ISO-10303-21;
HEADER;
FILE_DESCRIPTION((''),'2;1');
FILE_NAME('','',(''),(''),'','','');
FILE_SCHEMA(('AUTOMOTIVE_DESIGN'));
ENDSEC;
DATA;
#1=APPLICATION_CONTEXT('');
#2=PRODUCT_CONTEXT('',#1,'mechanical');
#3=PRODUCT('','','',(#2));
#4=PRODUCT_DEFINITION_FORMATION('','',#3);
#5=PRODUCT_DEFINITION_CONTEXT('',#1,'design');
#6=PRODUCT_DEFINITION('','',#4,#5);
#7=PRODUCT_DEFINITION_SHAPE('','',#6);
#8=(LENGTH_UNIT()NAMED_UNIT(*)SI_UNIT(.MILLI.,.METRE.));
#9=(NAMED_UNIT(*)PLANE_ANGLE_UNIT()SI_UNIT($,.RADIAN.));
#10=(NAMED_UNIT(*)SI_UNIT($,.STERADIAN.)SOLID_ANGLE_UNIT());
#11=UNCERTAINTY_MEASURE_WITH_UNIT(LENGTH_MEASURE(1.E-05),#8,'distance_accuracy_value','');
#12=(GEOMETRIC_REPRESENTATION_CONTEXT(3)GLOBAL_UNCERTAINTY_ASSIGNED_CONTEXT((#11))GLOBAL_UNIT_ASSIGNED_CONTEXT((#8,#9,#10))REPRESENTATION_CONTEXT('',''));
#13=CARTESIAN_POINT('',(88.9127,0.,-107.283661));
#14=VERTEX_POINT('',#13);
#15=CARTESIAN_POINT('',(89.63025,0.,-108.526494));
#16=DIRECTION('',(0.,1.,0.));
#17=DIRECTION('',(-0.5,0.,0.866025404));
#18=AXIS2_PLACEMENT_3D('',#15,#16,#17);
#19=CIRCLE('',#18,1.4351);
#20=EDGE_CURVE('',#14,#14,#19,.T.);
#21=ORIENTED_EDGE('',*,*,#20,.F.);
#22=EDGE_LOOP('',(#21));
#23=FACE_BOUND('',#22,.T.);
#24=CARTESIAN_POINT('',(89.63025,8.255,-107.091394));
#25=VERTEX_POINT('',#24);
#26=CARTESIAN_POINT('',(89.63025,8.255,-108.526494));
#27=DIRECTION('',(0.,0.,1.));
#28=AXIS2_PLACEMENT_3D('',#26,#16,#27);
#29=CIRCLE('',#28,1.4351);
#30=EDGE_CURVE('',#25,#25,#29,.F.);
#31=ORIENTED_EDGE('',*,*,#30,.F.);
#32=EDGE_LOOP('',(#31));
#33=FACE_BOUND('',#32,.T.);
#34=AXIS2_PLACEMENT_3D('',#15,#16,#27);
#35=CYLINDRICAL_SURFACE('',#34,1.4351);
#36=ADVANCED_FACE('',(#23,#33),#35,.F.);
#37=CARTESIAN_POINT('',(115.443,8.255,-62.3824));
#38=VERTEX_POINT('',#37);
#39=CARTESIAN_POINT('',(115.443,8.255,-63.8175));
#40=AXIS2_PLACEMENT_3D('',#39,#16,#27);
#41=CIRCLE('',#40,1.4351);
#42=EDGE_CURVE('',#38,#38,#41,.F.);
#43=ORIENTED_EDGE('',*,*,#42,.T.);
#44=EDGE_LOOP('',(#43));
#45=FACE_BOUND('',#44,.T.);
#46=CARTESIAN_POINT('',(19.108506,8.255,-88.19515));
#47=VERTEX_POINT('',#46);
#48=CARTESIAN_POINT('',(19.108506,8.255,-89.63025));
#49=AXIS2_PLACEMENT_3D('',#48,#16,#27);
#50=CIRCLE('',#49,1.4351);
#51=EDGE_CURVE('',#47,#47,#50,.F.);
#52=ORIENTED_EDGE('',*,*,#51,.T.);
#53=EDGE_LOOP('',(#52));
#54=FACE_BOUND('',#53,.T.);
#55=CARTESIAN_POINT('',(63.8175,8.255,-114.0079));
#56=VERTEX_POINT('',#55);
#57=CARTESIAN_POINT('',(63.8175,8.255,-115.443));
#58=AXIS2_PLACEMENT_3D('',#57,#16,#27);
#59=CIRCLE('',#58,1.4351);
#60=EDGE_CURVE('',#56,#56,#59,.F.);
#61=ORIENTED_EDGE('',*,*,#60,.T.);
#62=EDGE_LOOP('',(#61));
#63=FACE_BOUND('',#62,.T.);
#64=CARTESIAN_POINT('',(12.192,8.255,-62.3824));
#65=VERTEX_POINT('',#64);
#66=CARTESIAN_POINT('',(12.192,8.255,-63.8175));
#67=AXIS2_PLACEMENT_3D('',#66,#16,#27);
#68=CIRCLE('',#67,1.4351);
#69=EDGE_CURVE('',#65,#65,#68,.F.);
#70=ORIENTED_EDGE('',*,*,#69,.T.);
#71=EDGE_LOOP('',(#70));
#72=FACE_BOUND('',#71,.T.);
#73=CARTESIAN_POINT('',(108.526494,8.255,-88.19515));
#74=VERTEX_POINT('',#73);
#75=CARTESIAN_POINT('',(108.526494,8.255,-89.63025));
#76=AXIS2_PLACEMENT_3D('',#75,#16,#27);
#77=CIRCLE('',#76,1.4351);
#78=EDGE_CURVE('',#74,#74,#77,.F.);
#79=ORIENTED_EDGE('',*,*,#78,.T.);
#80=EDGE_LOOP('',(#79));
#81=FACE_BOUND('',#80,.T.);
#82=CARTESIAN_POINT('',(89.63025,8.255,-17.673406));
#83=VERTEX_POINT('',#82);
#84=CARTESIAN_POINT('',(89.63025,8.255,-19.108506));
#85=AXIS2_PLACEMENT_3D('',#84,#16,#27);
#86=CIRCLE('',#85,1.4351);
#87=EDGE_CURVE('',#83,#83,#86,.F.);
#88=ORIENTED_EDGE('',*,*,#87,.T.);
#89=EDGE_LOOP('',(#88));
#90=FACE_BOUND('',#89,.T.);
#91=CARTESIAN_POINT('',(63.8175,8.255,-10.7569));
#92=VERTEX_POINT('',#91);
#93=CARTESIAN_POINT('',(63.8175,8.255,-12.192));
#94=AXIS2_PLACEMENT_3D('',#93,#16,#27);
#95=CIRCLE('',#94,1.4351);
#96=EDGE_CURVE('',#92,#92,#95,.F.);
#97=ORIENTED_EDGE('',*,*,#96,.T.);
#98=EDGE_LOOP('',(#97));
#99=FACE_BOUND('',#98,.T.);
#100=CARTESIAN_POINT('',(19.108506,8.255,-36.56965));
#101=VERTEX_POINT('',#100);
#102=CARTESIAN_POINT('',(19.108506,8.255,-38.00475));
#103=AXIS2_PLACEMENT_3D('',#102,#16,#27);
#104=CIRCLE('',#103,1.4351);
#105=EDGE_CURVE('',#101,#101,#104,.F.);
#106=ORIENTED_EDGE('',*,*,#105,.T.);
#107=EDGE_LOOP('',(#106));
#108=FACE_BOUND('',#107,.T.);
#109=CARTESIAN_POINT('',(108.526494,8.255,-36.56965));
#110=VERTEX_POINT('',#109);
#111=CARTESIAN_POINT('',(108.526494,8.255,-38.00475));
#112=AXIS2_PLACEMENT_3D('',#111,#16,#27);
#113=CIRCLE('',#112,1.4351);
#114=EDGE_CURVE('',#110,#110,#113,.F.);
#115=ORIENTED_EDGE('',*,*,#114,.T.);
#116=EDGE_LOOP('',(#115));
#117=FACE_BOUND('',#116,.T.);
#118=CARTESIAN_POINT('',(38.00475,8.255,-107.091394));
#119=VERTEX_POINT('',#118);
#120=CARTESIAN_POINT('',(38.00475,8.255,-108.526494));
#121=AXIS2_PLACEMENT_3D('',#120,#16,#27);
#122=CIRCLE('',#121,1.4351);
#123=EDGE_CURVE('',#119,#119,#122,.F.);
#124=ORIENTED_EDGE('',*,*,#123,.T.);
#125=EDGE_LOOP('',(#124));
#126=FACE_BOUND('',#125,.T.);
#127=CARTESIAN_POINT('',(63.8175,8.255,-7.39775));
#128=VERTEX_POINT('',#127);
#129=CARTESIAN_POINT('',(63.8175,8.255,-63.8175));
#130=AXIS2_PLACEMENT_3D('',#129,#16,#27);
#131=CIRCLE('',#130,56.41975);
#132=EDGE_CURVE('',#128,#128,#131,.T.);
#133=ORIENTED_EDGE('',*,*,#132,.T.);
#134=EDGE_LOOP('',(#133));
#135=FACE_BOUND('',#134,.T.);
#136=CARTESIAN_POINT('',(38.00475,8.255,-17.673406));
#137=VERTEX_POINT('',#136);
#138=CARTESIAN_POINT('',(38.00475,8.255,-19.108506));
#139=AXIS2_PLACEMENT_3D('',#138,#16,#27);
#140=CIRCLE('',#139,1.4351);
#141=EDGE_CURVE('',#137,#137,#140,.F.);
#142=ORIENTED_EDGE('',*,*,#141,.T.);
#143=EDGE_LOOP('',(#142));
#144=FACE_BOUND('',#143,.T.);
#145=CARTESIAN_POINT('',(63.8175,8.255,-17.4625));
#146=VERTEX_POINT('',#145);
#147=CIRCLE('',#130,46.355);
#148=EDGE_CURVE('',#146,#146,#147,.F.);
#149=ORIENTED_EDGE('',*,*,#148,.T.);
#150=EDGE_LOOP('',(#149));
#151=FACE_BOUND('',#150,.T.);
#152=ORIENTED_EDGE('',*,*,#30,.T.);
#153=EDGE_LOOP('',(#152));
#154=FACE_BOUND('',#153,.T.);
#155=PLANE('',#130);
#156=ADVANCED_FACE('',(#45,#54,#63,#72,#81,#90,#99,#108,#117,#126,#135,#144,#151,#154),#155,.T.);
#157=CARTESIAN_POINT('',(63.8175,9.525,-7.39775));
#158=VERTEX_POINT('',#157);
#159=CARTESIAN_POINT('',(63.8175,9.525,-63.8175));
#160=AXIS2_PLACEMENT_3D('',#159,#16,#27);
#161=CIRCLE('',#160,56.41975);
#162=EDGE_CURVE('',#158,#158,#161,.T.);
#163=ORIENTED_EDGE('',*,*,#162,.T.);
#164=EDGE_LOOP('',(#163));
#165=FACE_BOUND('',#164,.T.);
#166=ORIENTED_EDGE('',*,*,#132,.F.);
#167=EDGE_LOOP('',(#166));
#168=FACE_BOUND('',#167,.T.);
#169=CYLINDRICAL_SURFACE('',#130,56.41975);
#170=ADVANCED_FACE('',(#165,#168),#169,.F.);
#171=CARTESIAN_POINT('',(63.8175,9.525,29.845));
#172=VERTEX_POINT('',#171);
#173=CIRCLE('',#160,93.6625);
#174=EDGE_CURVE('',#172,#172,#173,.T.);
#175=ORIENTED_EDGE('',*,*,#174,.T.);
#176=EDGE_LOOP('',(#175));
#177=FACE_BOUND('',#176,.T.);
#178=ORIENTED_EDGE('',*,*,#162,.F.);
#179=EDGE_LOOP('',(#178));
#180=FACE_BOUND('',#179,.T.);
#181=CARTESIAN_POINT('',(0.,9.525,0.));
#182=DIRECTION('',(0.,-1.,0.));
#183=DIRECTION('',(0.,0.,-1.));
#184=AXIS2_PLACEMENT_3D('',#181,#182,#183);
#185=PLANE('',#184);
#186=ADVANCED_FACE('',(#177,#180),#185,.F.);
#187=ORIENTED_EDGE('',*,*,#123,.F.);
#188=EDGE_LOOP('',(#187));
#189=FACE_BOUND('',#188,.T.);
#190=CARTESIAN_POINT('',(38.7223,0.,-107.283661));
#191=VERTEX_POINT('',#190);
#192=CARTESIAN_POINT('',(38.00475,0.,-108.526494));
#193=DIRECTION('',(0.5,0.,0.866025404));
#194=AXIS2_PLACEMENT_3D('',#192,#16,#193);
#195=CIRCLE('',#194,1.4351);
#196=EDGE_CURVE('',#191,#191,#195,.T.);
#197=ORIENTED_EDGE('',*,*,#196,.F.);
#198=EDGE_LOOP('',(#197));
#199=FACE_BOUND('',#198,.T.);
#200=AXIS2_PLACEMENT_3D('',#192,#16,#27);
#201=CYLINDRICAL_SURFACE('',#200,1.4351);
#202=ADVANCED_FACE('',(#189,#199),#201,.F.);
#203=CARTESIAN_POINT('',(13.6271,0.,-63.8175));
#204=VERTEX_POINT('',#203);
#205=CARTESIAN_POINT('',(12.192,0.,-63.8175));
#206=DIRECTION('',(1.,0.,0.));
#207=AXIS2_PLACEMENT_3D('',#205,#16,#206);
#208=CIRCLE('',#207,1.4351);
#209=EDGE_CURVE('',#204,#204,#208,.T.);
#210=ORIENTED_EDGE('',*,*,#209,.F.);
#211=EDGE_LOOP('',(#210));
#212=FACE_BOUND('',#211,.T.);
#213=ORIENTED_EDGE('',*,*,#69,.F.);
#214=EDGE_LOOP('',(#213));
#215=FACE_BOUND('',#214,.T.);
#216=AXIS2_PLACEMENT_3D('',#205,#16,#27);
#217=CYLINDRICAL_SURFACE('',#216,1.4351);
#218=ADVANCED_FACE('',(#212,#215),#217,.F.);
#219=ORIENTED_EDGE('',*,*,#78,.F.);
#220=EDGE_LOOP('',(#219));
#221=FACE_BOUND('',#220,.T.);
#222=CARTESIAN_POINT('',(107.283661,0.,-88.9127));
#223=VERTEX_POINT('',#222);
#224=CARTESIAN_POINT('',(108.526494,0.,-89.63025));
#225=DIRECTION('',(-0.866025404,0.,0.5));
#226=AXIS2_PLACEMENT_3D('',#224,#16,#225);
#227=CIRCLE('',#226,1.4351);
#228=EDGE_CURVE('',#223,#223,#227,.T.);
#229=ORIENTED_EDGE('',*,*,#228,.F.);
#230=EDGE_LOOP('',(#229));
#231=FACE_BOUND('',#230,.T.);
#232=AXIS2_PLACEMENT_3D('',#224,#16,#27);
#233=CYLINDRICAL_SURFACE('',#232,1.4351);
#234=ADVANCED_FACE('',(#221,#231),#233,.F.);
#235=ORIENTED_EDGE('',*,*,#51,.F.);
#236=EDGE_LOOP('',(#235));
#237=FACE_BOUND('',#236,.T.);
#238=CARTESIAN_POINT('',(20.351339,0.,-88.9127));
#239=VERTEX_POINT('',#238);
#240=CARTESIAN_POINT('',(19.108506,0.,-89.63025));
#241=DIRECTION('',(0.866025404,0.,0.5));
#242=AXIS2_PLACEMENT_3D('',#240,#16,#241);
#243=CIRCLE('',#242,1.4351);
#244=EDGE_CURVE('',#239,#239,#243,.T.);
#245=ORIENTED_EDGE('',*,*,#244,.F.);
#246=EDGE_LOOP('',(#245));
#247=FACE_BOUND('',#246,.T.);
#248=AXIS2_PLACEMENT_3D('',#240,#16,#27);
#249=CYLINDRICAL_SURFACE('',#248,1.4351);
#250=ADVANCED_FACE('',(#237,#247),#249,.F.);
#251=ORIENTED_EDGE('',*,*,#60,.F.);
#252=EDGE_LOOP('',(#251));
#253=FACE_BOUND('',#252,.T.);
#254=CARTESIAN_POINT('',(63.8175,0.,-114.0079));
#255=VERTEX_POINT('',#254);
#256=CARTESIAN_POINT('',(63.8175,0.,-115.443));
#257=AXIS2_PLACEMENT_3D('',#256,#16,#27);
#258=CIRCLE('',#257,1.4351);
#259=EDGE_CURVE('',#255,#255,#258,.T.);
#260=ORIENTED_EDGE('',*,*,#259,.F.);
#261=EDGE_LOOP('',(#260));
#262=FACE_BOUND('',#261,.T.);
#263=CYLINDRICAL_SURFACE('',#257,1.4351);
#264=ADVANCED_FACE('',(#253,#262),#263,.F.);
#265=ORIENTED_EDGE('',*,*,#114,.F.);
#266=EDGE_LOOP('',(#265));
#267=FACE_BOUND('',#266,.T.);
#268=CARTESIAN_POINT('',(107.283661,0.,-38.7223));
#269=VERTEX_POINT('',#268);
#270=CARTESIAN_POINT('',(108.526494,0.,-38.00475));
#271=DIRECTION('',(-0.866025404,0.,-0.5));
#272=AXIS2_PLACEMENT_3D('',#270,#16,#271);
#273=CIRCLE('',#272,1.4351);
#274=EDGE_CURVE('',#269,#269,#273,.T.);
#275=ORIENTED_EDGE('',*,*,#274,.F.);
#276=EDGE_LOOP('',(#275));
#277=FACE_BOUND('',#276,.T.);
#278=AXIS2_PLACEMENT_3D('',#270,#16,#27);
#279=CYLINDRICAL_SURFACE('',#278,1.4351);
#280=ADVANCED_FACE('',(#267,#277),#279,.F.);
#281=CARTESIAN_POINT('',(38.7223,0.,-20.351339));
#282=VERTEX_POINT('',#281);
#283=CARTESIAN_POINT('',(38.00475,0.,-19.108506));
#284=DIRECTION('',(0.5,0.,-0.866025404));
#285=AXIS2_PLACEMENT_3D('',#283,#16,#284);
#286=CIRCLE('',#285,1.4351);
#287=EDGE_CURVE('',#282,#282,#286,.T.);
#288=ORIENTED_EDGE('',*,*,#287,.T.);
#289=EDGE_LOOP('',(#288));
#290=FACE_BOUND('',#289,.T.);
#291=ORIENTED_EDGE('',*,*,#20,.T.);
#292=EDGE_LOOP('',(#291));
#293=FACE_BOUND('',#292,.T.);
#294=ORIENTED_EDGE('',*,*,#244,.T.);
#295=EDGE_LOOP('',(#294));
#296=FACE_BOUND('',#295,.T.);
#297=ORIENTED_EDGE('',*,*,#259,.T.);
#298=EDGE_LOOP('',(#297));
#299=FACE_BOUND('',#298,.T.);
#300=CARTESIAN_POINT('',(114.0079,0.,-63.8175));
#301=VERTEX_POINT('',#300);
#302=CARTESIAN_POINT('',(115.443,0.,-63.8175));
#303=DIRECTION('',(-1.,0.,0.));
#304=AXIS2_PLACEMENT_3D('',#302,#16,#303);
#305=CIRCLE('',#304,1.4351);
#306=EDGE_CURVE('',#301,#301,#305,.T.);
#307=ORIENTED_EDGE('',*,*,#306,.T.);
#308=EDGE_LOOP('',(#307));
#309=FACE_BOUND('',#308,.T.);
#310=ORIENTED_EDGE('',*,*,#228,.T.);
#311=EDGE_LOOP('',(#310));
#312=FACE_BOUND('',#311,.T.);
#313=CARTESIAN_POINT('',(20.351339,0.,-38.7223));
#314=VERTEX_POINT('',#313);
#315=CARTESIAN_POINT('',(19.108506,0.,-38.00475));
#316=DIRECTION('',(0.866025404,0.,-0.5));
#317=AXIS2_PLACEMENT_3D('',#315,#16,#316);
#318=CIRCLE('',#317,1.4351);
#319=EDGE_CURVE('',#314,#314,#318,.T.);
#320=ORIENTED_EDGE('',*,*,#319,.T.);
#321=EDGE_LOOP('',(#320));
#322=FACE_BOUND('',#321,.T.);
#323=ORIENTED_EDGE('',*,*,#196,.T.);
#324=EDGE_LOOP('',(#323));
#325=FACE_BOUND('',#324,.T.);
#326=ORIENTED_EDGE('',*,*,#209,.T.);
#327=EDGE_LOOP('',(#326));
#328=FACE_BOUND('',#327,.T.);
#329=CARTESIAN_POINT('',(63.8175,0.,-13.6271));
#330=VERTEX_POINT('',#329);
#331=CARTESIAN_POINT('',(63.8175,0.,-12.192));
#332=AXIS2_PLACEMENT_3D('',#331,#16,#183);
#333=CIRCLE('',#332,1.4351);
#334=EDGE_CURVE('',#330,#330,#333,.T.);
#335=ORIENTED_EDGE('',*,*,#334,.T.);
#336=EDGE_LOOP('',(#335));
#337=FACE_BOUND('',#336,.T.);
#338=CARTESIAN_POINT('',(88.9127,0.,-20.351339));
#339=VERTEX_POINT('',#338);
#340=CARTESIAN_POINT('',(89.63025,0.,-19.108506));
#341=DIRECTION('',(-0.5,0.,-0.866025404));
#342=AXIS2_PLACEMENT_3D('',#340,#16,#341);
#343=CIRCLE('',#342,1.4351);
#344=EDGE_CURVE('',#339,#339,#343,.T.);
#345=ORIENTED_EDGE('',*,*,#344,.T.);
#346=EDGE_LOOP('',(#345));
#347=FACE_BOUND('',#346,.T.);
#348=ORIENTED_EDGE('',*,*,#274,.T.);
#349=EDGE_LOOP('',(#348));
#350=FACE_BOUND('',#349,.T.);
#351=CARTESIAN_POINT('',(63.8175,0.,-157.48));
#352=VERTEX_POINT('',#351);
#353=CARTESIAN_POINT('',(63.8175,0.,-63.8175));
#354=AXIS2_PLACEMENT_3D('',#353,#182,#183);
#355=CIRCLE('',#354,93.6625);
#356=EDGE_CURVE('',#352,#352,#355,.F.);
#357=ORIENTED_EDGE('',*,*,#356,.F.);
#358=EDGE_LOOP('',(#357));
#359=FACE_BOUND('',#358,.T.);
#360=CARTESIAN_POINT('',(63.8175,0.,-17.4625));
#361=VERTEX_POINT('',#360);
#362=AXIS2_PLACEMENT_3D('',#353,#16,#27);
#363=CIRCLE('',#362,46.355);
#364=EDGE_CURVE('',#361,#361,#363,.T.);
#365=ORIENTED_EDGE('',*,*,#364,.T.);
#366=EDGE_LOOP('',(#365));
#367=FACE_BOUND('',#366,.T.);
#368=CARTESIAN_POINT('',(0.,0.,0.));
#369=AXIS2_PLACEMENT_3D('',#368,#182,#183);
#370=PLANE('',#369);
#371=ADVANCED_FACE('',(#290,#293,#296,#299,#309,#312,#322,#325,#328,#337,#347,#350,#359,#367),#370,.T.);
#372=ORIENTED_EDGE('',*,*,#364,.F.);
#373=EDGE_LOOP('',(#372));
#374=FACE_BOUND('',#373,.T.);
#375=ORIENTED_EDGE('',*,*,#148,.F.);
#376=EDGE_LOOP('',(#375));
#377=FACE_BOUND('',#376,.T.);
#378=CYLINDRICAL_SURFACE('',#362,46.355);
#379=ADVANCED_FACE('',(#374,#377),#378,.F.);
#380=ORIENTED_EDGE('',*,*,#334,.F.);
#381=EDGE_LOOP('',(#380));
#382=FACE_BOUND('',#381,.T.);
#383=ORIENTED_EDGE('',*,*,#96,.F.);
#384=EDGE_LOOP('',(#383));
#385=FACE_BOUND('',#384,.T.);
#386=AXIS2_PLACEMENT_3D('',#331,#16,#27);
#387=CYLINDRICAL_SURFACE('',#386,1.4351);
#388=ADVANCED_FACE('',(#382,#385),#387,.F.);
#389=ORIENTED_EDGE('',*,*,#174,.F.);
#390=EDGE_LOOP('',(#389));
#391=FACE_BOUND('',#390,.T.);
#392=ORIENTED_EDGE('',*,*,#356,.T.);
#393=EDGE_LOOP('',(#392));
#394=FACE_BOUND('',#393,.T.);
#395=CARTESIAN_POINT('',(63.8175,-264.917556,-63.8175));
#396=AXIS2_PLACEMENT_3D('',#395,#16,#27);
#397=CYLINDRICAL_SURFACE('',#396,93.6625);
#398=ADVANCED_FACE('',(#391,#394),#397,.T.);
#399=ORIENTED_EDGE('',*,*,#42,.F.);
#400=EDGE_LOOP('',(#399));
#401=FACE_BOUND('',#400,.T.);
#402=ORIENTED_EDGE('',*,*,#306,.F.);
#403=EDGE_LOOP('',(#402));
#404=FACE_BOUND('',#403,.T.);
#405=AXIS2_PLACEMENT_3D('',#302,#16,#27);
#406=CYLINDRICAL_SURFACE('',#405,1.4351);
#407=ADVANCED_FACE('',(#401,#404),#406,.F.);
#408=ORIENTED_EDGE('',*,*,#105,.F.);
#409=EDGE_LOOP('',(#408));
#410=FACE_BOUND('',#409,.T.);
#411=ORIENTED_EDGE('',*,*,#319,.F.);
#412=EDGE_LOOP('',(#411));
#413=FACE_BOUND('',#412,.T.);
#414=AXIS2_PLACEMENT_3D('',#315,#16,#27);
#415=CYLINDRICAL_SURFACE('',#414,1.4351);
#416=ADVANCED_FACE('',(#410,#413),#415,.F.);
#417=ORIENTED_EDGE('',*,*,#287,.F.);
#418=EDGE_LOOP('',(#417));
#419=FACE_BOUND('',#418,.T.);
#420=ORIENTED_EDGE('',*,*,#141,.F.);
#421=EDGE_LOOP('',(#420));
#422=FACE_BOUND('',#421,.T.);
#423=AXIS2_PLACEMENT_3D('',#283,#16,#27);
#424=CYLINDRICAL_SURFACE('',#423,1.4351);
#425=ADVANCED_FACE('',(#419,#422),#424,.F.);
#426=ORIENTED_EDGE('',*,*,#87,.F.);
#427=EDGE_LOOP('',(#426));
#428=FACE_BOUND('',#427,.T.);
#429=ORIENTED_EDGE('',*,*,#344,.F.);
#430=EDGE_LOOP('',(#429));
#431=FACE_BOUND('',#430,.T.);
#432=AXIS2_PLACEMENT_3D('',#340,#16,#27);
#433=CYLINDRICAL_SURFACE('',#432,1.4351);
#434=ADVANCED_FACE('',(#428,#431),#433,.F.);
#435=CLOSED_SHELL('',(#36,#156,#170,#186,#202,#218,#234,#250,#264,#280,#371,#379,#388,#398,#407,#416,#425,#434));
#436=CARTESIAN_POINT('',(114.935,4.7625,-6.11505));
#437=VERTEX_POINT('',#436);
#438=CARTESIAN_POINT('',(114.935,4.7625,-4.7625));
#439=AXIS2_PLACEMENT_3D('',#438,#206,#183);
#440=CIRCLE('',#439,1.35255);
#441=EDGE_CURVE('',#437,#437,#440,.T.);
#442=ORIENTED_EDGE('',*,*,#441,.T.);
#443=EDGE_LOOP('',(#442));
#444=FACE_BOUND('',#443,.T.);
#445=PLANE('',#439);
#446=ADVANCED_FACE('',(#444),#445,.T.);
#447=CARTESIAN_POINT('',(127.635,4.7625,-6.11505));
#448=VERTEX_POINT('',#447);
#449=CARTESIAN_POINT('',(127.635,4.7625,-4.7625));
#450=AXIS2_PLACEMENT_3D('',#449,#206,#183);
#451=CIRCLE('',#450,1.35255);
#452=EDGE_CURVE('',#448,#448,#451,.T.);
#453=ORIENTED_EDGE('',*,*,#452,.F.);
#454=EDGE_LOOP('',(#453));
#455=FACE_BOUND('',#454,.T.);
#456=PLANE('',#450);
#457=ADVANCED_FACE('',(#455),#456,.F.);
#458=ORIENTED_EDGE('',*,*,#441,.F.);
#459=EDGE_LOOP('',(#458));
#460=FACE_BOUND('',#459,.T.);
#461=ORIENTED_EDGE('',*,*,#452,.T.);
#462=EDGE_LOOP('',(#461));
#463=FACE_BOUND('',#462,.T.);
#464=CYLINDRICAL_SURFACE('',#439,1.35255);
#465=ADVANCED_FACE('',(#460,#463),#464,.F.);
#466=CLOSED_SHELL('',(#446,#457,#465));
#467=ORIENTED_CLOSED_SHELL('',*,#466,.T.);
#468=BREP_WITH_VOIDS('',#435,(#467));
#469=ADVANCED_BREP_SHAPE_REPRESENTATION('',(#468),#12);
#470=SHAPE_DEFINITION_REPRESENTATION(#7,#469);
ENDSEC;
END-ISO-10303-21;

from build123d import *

# Parameters (mm, degrees)
SKETCH1_W           = 127.635
SKETCH1_H           = 127.635
BOSS_EXTRUDE1_DEPTH = 9.525
SKETCH13_R          = 93.6625
BOSS_EXTRUDE2_DEPTH = 9.525
SKETCH6_R           = 1.35255
F_6_32_HOLE1_DEPTH  = 12.7
SKETCH5_R           = 46.355
CUT_EXTRUDE1_DEPTH  = 9.525
SKETCH11_R          = 1.4351
CUT_EXTRUDE3_DEPTH  = 10.525
CIRPATTERN1_COUNT   = 12
SKETCH12_R          = 56.41975
CUT_EXTRUDE4_DEPTH  = 1.27


with BuildPart() as part:
    # Sketch1 → Boss-Extrude1 (new body)
    with BuildSketch(Plane(origin=(0, 0, 0), x_dir=(1, 0, 0), z_dir=(0, 1, 0))):
        with Locations((63.8175, 63.8175)):
            Rectangle(SKETCH1_W, SKETCH1_H)
    extrude(amount=BOSS_EXTRUDE1_DEPTH)

    # Sketch13 → Boss-Extrude2 (add)
    with BuildSketch(Plane(origin=(0, 9.525, 0), x_dir=(1, 0, 0), z_dir=(0, 1, 0))):
        with Locations((63.8175, 63.8175)):
            Circle(SKETCH13_R)
    extrude(amount=-BOSS_EXTRUDE2_DEPTH)

    # Sketch6 → 6-32 hole1 (cut)
    with BuildSketch(Plane(origin=(127.635, 0, 0), x_dir=(0, 0, -1), z_dir=(1, 0, 0))):
        with Locations((4.7625, 4.7625)):
            Circle(SKETCH6_R)
    extrude(amount=-F_6_32_HOLE1_DEPTH, mode=Mode.SUBTRACT)

    # Sketch5 → Cut-Extrude1 (cut)
    with BuildSketch(Plane(origin=(0, 9.525, 0), x_dir=(1, 0, 0), z_dir=(0, 1, 0))):
        with Locations((63.8175, 63.8175)):
            Circle(SKETCH5_R)
    extrude(amount=-CUT_EXTRUDE1_DEPTH, mode=Mode.SUBTRACT)

    # Sketch11 → Cut-Extrude3 (cut, through all)
    with BuildSketch(Plane(origin=(0, 9.525, 0), x_dir=(1, 0, 0), z_dir=(0, 1, 0))):
        with Locations((63.8175, 115.443)):
            Circle(SKETCH11_R)
    cut_extrude3 = extrude(amount=-CUT_EXTRUDE3_DEPTH, mode=Mode.SUBTRACT)

    # CirPattern1: Cut-Extrude3 ×12 about axis
    cirpattern1_axis = Axis((63.8175, 0, -63.8175), (0, 1, 0))
    for i in range(1, CIRPATTERN1_COUNT):
        add(cut_extrude3.rotate(cirpattern1_axis, i * 360 / CIRPATTERN1_COUNT), mode=Mode.SUBTRACT)

    # Sketch12 → Cut-Extrude4 (cut)
    with BuildSketch(Plane(origin=(0, 9.525, 0), x_dir=(1, 0, 0), z_dir=(0, 1, 0))):
        with Locations((63.8175, 63.8175)):
            Circle(SKETCH12_R)
    extrude(amount=-CUT_EXTRUDE4_DEPTH, mode=Mode.SUBTRACT)


solid = part.part
